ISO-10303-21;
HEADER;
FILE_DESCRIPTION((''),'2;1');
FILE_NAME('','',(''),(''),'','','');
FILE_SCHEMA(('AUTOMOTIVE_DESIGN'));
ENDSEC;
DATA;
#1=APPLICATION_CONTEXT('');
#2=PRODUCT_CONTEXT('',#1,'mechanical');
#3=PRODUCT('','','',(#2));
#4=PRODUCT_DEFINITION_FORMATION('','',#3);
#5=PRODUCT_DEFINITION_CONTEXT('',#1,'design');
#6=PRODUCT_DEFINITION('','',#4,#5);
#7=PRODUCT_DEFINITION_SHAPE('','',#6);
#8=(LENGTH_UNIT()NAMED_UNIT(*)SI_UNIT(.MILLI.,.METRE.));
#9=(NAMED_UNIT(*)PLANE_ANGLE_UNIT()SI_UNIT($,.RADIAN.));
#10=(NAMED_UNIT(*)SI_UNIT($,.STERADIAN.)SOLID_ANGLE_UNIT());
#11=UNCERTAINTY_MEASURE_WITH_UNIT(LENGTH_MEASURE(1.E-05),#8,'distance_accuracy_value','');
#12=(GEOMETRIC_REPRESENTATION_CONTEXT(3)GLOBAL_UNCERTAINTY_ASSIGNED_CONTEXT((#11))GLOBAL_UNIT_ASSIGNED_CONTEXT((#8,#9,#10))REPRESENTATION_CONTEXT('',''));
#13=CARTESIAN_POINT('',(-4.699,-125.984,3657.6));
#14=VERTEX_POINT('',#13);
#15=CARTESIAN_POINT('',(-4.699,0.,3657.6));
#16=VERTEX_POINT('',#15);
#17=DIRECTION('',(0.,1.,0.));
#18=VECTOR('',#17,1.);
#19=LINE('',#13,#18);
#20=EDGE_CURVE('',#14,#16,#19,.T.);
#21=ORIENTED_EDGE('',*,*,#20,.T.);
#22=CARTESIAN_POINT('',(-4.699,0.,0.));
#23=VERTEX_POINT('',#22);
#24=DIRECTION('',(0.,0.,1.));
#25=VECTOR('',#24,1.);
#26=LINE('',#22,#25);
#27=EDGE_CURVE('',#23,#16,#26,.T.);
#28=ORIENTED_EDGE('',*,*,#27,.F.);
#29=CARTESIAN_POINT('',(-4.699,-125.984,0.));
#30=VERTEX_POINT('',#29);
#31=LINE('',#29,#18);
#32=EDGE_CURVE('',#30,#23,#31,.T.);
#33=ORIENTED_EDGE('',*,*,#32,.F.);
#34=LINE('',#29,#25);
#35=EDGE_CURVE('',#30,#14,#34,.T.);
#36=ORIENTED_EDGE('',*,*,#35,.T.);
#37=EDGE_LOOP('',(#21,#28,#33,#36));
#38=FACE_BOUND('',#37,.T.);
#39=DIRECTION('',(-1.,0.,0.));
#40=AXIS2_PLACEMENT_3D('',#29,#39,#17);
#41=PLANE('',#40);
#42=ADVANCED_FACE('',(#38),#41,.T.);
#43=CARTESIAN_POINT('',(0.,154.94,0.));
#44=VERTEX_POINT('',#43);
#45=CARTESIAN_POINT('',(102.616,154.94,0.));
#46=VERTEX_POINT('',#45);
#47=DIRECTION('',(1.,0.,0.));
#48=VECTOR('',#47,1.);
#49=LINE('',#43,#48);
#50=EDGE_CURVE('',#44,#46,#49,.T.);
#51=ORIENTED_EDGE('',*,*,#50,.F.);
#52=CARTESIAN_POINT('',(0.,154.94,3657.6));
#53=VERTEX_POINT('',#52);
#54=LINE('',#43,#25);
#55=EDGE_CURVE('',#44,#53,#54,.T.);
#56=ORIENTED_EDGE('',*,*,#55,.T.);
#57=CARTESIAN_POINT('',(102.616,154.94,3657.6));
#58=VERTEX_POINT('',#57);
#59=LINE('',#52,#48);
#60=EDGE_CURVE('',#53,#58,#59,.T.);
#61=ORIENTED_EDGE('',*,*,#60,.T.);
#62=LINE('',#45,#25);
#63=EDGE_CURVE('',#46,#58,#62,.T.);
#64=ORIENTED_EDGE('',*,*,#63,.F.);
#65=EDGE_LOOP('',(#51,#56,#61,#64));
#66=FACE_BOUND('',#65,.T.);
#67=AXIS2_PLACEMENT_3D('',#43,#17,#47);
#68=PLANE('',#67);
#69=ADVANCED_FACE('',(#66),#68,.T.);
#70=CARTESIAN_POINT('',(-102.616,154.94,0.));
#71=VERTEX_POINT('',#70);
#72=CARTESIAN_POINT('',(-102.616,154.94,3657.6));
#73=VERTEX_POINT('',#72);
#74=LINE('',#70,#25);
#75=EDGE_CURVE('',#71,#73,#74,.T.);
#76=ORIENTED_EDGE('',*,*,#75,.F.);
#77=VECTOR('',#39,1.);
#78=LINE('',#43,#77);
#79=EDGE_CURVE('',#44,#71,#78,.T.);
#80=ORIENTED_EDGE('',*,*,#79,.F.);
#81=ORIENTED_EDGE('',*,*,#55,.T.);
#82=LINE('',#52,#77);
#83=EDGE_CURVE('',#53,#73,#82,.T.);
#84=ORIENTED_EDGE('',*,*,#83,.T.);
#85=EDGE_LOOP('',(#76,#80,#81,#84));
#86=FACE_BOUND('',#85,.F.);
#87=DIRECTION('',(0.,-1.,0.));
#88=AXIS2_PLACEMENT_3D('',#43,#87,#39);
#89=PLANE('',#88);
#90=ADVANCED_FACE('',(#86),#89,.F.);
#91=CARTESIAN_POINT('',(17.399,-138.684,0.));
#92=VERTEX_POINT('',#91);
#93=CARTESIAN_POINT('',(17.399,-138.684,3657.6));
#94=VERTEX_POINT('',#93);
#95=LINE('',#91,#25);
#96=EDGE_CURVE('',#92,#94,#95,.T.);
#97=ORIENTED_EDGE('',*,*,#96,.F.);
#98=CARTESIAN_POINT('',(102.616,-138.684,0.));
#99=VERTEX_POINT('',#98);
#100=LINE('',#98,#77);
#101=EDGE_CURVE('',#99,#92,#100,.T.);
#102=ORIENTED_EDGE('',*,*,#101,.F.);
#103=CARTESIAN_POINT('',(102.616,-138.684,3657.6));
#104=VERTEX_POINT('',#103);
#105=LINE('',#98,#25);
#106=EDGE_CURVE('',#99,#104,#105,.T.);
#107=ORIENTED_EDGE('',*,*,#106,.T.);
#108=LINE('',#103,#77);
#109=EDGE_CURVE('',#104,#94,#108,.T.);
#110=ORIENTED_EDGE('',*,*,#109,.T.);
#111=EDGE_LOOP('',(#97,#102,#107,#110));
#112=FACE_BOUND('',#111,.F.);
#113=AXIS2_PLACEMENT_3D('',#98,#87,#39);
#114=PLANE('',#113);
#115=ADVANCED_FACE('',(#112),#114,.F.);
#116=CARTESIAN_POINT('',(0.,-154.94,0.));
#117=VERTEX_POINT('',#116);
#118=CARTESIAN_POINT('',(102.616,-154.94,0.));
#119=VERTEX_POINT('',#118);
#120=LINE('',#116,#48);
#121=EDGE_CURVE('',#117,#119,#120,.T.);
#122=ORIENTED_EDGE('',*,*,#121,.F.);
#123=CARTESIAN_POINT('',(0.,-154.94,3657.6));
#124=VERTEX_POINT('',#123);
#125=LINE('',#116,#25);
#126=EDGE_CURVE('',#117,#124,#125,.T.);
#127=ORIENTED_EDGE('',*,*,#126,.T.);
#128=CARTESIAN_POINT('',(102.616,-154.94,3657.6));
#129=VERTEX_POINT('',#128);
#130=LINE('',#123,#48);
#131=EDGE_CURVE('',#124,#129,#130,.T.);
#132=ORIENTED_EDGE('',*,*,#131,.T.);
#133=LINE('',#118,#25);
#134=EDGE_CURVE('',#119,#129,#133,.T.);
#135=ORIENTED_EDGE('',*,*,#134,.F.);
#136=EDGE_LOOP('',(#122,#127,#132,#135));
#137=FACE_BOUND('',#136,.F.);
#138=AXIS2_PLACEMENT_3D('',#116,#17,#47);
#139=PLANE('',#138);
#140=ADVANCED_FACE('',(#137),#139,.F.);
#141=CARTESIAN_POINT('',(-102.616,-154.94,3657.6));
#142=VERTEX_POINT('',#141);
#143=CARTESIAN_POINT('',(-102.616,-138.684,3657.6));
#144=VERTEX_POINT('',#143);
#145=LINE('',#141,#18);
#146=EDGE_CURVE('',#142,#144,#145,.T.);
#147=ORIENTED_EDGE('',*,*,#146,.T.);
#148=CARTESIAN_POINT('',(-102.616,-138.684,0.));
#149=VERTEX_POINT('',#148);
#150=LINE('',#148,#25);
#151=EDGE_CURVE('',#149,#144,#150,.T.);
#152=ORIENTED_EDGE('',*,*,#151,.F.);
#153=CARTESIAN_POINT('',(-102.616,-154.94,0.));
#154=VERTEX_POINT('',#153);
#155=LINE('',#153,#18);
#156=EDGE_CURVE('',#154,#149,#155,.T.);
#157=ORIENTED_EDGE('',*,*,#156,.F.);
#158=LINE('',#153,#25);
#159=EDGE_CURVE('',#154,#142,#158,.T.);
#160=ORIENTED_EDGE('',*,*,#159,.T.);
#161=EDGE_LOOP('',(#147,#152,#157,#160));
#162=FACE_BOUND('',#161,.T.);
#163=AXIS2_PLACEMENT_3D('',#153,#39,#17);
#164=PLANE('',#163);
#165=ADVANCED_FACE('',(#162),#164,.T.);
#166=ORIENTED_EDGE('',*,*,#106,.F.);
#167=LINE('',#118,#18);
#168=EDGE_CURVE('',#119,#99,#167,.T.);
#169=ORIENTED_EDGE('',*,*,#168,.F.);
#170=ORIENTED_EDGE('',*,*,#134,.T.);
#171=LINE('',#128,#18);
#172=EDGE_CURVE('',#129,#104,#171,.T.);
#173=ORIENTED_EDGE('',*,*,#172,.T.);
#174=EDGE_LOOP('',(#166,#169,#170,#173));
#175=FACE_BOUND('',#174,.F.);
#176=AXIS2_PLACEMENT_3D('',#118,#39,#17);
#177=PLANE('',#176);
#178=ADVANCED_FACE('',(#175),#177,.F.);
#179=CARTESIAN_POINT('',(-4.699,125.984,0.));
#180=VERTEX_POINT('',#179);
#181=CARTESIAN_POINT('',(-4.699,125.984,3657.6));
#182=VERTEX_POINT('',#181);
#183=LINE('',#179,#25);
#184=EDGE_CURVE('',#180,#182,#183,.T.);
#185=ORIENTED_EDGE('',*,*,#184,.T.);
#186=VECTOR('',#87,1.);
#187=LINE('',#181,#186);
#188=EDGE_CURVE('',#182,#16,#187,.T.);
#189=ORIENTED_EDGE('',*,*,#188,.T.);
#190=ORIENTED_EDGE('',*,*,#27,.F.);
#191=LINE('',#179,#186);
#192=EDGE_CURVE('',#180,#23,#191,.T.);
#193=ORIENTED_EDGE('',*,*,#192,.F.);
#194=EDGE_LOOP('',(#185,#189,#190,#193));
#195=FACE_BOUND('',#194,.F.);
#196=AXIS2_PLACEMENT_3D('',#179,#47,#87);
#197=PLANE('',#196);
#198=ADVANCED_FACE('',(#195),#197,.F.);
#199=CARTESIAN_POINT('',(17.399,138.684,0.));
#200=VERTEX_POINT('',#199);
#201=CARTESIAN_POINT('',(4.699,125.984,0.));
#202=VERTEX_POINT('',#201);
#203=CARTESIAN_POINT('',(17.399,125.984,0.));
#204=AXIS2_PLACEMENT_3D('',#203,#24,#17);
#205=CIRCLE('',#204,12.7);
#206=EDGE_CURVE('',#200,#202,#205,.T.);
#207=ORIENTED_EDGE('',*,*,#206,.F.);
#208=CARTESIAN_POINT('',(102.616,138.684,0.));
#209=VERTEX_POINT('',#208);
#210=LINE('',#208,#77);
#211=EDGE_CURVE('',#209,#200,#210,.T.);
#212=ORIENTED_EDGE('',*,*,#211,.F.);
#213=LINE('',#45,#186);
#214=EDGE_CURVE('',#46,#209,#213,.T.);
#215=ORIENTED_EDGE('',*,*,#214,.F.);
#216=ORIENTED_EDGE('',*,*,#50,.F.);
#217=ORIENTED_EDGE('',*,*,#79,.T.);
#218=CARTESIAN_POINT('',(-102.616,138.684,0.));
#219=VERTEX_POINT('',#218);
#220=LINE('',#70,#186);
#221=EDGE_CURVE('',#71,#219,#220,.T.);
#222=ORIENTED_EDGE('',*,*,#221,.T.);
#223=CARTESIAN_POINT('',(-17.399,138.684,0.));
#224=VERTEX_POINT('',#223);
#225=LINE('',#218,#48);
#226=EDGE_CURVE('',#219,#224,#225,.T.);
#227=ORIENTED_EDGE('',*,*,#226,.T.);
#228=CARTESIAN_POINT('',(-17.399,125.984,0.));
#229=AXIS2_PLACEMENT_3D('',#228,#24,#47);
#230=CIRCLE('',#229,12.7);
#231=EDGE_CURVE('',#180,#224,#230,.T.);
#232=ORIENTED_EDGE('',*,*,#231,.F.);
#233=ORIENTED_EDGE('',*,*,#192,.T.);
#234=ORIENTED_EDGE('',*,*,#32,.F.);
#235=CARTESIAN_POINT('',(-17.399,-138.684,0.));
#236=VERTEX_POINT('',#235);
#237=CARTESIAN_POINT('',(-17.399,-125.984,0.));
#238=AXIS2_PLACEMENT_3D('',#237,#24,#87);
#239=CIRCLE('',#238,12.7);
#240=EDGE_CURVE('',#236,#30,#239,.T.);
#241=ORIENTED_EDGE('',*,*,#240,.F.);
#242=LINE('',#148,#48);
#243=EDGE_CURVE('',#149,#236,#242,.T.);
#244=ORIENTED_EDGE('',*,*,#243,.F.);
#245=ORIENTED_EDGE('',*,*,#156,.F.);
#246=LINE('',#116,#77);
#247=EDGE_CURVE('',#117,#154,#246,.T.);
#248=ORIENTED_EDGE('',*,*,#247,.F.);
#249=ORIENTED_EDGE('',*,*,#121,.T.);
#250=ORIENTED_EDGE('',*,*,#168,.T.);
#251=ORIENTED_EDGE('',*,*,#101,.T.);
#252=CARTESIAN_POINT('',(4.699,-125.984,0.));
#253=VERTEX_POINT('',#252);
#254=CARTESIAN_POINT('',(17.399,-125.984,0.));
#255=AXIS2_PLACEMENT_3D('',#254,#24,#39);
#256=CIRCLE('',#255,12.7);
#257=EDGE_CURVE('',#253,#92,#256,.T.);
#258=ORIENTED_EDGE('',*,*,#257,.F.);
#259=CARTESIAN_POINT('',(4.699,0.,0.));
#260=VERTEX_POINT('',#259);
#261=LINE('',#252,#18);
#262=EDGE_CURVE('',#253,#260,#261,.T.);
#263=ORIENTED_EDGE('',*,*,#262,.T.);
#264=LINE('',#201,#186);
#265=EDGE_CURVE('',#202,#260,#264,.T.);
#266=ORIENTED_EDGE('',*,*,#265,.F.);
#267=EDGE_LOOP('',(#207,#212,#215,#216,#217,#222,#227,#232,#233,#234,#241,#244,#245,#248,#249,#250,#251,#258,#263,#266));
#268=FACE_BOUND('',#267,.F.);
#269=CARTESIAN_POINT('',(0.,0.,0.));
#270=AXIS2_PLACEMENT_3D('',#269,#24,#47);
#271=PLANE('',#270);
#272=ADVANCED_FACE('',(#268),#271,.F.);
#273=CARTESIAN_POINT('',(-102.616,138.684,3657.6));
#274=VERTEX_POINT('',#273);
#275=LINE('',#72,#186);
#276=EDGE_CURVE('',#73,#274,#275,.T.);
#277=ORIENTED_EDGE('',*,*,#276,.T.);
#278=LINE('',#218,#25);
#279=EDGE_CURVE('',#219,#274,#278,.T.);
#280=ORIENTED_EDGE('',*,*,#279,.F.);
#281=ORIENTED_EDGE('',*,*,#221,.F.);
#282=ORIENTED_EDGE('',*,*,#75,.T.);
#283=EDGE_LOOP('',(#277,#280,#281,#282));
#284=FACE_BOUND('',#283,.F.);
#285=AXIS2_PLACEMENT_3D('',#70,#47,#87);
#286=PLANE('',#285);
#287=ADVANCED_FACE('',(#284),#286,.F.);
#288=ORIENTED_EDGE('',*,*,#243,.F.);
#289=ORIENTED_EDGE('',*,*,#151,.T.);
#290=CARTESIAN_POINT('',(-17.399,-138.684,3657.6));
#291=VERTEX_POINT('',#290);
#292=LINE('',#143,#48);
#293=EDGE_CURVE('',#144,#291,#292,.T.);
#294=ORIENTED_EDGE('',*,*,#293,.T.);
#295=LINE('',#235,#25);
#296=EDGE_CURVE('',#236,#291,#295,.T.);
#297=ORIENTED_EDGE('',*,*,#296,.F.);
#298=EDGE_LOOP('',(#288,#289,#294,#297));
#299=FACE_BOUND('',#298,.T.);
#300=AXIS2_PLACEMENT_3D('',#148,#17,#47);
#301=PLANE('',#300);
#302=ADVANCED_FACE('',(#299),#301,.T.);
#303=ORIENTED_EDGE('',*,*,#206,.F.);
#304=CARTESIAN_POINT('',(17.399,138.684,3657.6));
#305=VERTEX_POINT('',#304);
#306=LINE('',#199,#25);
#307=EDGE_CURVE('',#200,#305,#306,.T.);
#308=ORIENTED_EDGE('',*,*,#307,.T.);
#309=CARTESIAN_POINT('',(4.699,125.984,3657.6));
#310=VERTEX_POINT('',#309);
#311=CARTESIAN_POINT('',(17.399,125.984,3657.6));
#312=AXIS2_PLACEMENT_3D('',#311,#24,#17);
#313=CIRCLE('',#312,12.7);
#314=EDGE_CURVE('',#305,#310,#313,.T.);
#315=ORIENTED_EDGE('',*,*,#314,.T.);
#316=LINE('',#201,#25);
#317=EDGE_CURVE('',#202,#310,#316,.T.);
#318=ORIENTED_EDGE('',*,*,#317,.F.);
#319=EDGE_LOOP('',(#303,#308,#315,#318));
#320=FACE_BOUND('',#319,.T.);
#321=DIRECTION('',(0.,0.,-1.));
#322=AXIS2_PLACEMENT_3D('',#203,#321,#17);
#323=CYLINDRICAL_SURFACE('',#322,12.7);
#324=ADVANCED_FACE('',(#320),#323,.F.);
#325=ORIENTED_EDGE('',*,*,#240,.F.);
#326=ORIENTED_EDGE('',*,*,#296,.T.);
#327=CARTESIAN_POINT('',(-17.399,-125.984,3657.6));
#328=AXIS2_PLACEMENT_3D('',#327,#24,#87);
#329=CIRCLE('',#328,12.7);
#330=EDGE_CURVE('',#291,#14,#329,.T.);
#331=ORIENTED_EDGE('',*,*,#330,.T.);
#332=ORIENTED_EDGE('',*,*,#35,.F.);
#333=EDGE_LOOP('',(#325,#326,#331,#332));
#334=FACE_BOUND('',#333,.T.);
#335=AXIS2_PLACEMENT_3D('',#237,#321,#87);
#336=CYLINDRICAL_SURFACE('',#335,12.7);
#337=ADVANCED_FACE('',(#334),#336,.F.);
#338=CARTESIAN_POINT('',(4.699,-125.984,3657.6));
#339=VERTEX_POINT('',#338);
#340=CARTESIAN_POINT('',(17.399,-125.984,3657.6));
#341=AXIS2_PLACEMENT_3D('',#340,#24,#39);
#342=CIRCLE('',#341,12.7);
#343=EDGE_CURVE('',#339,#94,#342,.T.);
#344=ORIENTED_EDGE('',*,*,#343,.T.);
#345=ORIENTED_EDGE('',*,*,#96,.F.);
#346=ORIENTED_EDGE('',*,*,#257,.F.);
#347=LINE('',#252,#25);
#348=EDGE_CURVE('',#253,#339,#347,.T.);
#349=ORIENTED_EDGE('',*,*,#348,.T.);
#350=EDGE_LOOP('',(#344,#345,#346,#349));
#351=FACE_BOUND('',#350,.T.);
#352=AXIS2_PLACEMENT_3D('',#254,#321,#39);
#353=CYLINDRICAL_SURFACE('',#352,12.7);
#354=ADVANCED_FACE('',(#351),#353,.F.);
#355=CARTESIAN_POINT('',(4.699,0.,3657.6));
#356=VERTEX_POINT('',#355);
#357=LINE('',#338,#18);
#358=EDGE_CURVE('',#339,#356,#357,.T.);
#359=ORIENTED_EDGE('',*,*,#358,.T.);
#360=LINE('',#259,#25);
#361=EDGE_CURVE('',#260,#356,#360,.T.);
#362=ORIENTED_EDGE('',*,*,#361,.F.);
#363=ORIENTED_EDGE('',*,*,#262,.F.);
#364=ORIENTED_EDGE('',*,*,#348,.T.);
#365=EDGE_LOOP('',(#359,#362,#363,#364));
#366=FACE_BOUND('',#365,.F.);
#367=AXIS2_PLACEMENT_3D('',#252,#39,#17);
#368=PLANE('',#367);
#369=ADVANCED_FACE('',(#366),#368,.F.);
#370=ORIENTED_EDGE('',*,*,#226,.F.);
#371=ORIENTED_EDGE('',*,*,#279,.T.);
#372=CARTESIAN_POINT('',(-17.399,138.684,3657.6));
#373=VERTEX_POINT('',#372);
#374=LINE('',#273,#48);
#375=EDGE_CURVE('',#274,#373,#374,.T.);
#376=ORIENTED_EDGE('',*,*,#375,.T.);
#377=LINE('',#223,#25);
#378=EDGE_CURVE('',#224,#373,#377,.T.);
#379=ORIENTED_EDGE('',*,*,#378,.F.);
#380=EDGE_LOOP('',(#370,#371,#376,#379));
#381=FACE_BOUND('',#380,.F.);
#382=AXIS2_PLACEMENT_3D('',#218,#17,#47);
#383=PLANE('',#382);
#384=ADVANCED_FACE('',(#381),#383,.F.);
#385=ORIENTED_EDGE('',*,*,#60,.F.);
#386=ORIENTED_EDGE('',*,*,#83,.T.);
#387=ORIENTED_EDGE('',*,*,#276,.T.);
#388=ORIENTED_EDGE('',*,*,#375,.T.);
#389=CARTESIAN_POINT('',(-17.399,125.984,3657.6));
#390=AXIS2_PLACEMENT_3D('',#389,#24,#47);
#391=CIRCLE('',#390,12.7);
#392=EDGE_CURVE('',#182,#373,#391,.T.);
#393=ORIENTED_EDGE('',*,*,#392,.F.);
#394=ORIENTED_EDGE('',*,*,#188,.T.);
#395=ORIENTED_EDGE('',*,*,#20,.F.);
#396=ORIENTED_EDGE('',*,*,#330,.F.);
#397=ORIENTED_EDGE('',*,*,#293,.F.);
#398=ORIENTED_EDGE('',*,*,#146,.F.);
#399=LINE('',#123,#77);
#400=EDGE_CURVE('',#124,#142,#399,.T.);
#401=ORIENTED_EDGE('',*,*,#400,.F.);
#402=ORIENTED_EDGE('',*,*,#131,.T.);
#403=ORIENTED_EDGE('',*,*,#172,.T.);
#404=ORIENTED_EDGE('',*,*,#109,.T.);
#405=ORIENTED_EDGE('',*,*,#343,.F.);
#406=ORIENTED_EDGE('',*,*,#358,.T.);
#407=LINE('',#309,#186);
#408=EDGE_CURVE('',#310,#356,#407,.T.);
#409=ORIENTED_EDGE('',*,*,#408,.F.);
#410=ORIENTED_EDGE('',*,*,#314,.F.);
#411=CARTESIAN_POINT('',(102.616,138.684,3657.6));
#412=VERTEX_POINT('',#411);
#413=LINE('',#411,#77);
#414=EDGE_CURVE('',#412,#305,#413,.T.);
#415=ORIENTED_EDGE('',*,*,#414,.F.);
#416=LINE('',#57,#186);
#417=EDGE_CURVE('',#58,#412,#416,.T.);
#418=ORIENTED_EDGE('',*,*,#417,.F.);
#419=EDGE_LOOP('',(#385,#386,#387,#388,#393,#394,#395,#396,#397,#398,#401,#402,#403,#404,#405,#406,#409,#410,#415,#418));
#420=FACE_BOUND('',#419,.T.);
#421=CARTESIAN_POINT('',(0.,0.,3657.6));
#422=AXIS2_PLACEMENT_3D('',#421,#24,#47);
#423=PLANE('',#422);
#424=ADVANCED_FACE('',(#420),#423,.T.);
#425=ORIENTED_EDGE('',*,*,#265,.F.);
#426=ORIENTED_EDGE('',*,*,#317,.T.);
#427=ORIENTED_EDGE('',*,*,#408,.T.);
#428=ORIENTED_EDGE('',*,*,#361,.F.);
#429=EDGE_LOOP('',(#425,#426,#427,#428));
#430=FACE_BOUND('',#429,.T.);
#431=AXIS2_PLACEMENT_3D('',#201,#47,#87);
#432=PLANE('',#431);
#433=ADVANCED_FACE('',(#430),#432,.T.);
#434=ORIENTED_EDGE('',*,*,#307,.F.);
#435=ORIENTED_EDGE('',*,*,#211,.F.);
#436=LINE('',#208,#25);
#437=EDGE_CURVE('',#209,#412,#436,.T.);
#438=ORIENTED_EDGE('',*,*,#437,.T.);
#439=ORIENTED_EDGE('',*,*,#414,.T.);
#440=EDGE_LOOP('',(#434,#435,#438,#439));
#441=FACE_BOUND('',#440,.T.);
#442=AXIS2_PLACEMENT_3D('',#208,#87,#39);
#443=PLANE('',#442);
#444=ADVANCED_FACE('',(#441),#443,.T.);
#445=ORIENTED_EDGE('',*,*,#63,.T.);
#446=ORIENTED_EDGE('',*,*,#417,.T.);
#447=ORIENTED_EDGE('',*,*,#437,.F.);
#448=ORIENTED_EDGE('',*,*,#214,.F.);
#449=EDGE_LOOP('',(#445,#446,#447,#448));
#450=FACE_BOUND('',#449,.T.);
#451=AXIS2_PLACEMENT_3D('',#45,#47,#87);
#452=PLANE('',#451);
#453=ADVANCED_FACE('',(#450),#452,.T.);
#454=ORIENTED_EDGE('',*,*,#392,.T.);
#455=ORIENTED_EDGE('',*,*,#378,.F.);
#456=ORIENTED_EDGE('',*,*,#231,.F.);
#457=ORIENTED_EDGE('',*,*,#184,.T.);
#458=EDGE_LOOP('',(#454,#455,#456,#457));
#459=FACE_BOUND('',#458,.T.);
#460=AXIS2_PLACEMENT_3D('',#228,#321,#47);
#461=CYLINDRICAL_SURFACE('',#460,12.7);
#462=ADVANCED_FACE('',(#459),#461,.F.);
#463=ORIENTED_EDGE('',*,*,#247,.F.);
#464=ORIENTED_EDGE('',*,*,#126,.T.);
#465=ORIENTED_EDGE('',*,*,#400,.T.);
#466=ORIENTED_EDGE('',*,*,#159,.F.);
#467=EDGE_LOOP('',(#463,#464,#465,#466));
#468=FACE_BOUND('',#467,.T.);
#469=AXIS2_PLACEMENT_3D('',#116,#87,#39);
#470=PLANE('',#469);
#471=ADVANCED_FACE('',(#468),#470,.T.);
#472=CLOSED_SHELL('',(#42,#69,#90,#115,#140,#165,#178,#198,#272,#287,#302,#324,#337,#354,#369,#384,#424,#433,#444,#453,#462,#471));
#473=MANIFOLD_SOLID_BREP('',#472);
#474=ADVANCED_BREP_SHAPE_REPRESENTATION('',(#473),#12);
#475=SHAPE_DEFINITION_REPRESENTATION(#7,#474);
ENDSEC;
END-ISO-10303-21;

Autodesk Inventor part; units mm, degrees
ref_plane "YZ Plane" through (0, 0, 0) normal (1, 0, 0) x (0, 1, 0)
ref_plane "Plano inicial" through (0, 0, 0) normal (0, 0, 1) x (1, 0, 0)
ref_plane "Plano final" through (0, 0, 3657.6) normal (0, 0, 1) x (1, 0, 0)
sketch "Boceto" plane through (0, 0, 0) normal (0, 0, 1) x (1, 0, 0)
  line L0 (-102.616, -154.94) -> (-102.616, -138.684)
  line L1 (-102.616, -138.684) -> (-17.399, -138.684)
  line L2 (-4.699, -125.984) -> (-4.699, 0)
  line L3 (-4.699, 0) -> (0, 0) construction
  line L4 (0, 0) -> (0, -154.94) construction
  line L5 (0, -154.94) -> (-102.616, -154.94)
  line L6 (-60, 0) -> (80, 0) construction
  line L7 (0, -60) -> (0, 80) construction
  line L8 (102.616, -154.94) -> (102.616, -138.684)
  line L9 (102.616, -138.684) -> (17.399, -138.684)
  line L10 (4.699, -125.984) -> (4.699, 0)
  line L11 (4.699, 0) -> (0, 0) construction
  line L12 (0, -154.94) -> (102.616, -154.94)
  line L13 (-102.616, 154.94) -> (-102.616, 138.684)
  line L14 (-102.616, 138.684) -> (-17.399, 138.684)
  line L15 (-4.699, 125.984) -> (-4.699, 0)
  line L16 (0, 154.94) -> (-102.616, 154.94)
  line L17 (102.616, 154.94) -> (102.616, 138.684)
  line L18 (102.616, 138.684) -> (17.399, 138.684)
  line L19 (0, 154.94) -> (102.616, 154.94)
  line L20 (4.699, 125.984) -> (4.699, 0)
  arc A0 (-4.699, 125.984) -> (-17.399, 138.684) centre (-17.399, 125.984) ccw
  arc A1 (17.399, 138.684) -> (4.699, 125.984) centre (17.399, 125.984) ccw
  arc A2 (4.699, -125.984) -> (17.399, -138.684) centre (17.399, -125.984) ccw
  arc A3 (-17.399, -138.684) -> (-4.699, -125.984) centre (-17.399, -125.984) ccw
  line L21 (0, 216.916) -> (0, -216.916) construction
  line L22 (-143.6624, 0) -> (143.6624, 0) construction
  point P0 (-4.699, -138.684)
  point P1 (4.699, -138.684)
  point P2 (-4.699, 138.684)
  point P3 (4.699, 138.684)
  dimension "d1" = 154.94
  dimension "d2" = 16.256
  dimension "d3" = 102.616
  dimension "d4" = 4.699
  dimension "d13" = 12.7
extrude "Cuerpo" add sketch "Boceto" along normal up to surface (3657.6 mm away) from surface at 0
sketch "Sketch4" plane through (0, 0, 0) normal (0, 0, 1) x (1, 0, 0)
  line L0 (0, 0) -> (10, 0)
ref_plane "Work Plane3" through (0, 0, 0) normal (0, -1, 0) x (1, 0, 0)
sketch "Sketch5" plane through (0, 0, 0) normal (0, -1, 0) x (1, 0, 0)
  line L0 (-2, 0) -> (12, 0)
  line L1 (-2, 3657.6) -> (12, 3657.6)
  dimension "d15" = 3657.6
equation "\"d1\" = 0.5 * G_H"
equation "\"d2\" = G_T1"
equation "\"d3\" = 0.5 * G_W"
equation "\"d4\" = 0.5 * G_T"
equation "\"d13\" = G_IR"
equation "\"d5\" = G_L"
equation "\"G_W\" = 205.232"
equation "\"G_H\" = 309.88"
equation "\"G_T\" = 9.398"
equation "\"G_T1\" = 16.256"
equation "\"G_IR\" = 12.7"
equation "\"G_L\" = d15"
equation "\"G_OFFSET_START\" = 0"
equation "\"G_OFFSET_END\" = 0"
equation "\"d12\" = G_OFFSET_END + B_L"
equation "\"B_L\" = 3657.6"
properties part number "AISC - W 12x50 - 144" material "Acero, suave"
